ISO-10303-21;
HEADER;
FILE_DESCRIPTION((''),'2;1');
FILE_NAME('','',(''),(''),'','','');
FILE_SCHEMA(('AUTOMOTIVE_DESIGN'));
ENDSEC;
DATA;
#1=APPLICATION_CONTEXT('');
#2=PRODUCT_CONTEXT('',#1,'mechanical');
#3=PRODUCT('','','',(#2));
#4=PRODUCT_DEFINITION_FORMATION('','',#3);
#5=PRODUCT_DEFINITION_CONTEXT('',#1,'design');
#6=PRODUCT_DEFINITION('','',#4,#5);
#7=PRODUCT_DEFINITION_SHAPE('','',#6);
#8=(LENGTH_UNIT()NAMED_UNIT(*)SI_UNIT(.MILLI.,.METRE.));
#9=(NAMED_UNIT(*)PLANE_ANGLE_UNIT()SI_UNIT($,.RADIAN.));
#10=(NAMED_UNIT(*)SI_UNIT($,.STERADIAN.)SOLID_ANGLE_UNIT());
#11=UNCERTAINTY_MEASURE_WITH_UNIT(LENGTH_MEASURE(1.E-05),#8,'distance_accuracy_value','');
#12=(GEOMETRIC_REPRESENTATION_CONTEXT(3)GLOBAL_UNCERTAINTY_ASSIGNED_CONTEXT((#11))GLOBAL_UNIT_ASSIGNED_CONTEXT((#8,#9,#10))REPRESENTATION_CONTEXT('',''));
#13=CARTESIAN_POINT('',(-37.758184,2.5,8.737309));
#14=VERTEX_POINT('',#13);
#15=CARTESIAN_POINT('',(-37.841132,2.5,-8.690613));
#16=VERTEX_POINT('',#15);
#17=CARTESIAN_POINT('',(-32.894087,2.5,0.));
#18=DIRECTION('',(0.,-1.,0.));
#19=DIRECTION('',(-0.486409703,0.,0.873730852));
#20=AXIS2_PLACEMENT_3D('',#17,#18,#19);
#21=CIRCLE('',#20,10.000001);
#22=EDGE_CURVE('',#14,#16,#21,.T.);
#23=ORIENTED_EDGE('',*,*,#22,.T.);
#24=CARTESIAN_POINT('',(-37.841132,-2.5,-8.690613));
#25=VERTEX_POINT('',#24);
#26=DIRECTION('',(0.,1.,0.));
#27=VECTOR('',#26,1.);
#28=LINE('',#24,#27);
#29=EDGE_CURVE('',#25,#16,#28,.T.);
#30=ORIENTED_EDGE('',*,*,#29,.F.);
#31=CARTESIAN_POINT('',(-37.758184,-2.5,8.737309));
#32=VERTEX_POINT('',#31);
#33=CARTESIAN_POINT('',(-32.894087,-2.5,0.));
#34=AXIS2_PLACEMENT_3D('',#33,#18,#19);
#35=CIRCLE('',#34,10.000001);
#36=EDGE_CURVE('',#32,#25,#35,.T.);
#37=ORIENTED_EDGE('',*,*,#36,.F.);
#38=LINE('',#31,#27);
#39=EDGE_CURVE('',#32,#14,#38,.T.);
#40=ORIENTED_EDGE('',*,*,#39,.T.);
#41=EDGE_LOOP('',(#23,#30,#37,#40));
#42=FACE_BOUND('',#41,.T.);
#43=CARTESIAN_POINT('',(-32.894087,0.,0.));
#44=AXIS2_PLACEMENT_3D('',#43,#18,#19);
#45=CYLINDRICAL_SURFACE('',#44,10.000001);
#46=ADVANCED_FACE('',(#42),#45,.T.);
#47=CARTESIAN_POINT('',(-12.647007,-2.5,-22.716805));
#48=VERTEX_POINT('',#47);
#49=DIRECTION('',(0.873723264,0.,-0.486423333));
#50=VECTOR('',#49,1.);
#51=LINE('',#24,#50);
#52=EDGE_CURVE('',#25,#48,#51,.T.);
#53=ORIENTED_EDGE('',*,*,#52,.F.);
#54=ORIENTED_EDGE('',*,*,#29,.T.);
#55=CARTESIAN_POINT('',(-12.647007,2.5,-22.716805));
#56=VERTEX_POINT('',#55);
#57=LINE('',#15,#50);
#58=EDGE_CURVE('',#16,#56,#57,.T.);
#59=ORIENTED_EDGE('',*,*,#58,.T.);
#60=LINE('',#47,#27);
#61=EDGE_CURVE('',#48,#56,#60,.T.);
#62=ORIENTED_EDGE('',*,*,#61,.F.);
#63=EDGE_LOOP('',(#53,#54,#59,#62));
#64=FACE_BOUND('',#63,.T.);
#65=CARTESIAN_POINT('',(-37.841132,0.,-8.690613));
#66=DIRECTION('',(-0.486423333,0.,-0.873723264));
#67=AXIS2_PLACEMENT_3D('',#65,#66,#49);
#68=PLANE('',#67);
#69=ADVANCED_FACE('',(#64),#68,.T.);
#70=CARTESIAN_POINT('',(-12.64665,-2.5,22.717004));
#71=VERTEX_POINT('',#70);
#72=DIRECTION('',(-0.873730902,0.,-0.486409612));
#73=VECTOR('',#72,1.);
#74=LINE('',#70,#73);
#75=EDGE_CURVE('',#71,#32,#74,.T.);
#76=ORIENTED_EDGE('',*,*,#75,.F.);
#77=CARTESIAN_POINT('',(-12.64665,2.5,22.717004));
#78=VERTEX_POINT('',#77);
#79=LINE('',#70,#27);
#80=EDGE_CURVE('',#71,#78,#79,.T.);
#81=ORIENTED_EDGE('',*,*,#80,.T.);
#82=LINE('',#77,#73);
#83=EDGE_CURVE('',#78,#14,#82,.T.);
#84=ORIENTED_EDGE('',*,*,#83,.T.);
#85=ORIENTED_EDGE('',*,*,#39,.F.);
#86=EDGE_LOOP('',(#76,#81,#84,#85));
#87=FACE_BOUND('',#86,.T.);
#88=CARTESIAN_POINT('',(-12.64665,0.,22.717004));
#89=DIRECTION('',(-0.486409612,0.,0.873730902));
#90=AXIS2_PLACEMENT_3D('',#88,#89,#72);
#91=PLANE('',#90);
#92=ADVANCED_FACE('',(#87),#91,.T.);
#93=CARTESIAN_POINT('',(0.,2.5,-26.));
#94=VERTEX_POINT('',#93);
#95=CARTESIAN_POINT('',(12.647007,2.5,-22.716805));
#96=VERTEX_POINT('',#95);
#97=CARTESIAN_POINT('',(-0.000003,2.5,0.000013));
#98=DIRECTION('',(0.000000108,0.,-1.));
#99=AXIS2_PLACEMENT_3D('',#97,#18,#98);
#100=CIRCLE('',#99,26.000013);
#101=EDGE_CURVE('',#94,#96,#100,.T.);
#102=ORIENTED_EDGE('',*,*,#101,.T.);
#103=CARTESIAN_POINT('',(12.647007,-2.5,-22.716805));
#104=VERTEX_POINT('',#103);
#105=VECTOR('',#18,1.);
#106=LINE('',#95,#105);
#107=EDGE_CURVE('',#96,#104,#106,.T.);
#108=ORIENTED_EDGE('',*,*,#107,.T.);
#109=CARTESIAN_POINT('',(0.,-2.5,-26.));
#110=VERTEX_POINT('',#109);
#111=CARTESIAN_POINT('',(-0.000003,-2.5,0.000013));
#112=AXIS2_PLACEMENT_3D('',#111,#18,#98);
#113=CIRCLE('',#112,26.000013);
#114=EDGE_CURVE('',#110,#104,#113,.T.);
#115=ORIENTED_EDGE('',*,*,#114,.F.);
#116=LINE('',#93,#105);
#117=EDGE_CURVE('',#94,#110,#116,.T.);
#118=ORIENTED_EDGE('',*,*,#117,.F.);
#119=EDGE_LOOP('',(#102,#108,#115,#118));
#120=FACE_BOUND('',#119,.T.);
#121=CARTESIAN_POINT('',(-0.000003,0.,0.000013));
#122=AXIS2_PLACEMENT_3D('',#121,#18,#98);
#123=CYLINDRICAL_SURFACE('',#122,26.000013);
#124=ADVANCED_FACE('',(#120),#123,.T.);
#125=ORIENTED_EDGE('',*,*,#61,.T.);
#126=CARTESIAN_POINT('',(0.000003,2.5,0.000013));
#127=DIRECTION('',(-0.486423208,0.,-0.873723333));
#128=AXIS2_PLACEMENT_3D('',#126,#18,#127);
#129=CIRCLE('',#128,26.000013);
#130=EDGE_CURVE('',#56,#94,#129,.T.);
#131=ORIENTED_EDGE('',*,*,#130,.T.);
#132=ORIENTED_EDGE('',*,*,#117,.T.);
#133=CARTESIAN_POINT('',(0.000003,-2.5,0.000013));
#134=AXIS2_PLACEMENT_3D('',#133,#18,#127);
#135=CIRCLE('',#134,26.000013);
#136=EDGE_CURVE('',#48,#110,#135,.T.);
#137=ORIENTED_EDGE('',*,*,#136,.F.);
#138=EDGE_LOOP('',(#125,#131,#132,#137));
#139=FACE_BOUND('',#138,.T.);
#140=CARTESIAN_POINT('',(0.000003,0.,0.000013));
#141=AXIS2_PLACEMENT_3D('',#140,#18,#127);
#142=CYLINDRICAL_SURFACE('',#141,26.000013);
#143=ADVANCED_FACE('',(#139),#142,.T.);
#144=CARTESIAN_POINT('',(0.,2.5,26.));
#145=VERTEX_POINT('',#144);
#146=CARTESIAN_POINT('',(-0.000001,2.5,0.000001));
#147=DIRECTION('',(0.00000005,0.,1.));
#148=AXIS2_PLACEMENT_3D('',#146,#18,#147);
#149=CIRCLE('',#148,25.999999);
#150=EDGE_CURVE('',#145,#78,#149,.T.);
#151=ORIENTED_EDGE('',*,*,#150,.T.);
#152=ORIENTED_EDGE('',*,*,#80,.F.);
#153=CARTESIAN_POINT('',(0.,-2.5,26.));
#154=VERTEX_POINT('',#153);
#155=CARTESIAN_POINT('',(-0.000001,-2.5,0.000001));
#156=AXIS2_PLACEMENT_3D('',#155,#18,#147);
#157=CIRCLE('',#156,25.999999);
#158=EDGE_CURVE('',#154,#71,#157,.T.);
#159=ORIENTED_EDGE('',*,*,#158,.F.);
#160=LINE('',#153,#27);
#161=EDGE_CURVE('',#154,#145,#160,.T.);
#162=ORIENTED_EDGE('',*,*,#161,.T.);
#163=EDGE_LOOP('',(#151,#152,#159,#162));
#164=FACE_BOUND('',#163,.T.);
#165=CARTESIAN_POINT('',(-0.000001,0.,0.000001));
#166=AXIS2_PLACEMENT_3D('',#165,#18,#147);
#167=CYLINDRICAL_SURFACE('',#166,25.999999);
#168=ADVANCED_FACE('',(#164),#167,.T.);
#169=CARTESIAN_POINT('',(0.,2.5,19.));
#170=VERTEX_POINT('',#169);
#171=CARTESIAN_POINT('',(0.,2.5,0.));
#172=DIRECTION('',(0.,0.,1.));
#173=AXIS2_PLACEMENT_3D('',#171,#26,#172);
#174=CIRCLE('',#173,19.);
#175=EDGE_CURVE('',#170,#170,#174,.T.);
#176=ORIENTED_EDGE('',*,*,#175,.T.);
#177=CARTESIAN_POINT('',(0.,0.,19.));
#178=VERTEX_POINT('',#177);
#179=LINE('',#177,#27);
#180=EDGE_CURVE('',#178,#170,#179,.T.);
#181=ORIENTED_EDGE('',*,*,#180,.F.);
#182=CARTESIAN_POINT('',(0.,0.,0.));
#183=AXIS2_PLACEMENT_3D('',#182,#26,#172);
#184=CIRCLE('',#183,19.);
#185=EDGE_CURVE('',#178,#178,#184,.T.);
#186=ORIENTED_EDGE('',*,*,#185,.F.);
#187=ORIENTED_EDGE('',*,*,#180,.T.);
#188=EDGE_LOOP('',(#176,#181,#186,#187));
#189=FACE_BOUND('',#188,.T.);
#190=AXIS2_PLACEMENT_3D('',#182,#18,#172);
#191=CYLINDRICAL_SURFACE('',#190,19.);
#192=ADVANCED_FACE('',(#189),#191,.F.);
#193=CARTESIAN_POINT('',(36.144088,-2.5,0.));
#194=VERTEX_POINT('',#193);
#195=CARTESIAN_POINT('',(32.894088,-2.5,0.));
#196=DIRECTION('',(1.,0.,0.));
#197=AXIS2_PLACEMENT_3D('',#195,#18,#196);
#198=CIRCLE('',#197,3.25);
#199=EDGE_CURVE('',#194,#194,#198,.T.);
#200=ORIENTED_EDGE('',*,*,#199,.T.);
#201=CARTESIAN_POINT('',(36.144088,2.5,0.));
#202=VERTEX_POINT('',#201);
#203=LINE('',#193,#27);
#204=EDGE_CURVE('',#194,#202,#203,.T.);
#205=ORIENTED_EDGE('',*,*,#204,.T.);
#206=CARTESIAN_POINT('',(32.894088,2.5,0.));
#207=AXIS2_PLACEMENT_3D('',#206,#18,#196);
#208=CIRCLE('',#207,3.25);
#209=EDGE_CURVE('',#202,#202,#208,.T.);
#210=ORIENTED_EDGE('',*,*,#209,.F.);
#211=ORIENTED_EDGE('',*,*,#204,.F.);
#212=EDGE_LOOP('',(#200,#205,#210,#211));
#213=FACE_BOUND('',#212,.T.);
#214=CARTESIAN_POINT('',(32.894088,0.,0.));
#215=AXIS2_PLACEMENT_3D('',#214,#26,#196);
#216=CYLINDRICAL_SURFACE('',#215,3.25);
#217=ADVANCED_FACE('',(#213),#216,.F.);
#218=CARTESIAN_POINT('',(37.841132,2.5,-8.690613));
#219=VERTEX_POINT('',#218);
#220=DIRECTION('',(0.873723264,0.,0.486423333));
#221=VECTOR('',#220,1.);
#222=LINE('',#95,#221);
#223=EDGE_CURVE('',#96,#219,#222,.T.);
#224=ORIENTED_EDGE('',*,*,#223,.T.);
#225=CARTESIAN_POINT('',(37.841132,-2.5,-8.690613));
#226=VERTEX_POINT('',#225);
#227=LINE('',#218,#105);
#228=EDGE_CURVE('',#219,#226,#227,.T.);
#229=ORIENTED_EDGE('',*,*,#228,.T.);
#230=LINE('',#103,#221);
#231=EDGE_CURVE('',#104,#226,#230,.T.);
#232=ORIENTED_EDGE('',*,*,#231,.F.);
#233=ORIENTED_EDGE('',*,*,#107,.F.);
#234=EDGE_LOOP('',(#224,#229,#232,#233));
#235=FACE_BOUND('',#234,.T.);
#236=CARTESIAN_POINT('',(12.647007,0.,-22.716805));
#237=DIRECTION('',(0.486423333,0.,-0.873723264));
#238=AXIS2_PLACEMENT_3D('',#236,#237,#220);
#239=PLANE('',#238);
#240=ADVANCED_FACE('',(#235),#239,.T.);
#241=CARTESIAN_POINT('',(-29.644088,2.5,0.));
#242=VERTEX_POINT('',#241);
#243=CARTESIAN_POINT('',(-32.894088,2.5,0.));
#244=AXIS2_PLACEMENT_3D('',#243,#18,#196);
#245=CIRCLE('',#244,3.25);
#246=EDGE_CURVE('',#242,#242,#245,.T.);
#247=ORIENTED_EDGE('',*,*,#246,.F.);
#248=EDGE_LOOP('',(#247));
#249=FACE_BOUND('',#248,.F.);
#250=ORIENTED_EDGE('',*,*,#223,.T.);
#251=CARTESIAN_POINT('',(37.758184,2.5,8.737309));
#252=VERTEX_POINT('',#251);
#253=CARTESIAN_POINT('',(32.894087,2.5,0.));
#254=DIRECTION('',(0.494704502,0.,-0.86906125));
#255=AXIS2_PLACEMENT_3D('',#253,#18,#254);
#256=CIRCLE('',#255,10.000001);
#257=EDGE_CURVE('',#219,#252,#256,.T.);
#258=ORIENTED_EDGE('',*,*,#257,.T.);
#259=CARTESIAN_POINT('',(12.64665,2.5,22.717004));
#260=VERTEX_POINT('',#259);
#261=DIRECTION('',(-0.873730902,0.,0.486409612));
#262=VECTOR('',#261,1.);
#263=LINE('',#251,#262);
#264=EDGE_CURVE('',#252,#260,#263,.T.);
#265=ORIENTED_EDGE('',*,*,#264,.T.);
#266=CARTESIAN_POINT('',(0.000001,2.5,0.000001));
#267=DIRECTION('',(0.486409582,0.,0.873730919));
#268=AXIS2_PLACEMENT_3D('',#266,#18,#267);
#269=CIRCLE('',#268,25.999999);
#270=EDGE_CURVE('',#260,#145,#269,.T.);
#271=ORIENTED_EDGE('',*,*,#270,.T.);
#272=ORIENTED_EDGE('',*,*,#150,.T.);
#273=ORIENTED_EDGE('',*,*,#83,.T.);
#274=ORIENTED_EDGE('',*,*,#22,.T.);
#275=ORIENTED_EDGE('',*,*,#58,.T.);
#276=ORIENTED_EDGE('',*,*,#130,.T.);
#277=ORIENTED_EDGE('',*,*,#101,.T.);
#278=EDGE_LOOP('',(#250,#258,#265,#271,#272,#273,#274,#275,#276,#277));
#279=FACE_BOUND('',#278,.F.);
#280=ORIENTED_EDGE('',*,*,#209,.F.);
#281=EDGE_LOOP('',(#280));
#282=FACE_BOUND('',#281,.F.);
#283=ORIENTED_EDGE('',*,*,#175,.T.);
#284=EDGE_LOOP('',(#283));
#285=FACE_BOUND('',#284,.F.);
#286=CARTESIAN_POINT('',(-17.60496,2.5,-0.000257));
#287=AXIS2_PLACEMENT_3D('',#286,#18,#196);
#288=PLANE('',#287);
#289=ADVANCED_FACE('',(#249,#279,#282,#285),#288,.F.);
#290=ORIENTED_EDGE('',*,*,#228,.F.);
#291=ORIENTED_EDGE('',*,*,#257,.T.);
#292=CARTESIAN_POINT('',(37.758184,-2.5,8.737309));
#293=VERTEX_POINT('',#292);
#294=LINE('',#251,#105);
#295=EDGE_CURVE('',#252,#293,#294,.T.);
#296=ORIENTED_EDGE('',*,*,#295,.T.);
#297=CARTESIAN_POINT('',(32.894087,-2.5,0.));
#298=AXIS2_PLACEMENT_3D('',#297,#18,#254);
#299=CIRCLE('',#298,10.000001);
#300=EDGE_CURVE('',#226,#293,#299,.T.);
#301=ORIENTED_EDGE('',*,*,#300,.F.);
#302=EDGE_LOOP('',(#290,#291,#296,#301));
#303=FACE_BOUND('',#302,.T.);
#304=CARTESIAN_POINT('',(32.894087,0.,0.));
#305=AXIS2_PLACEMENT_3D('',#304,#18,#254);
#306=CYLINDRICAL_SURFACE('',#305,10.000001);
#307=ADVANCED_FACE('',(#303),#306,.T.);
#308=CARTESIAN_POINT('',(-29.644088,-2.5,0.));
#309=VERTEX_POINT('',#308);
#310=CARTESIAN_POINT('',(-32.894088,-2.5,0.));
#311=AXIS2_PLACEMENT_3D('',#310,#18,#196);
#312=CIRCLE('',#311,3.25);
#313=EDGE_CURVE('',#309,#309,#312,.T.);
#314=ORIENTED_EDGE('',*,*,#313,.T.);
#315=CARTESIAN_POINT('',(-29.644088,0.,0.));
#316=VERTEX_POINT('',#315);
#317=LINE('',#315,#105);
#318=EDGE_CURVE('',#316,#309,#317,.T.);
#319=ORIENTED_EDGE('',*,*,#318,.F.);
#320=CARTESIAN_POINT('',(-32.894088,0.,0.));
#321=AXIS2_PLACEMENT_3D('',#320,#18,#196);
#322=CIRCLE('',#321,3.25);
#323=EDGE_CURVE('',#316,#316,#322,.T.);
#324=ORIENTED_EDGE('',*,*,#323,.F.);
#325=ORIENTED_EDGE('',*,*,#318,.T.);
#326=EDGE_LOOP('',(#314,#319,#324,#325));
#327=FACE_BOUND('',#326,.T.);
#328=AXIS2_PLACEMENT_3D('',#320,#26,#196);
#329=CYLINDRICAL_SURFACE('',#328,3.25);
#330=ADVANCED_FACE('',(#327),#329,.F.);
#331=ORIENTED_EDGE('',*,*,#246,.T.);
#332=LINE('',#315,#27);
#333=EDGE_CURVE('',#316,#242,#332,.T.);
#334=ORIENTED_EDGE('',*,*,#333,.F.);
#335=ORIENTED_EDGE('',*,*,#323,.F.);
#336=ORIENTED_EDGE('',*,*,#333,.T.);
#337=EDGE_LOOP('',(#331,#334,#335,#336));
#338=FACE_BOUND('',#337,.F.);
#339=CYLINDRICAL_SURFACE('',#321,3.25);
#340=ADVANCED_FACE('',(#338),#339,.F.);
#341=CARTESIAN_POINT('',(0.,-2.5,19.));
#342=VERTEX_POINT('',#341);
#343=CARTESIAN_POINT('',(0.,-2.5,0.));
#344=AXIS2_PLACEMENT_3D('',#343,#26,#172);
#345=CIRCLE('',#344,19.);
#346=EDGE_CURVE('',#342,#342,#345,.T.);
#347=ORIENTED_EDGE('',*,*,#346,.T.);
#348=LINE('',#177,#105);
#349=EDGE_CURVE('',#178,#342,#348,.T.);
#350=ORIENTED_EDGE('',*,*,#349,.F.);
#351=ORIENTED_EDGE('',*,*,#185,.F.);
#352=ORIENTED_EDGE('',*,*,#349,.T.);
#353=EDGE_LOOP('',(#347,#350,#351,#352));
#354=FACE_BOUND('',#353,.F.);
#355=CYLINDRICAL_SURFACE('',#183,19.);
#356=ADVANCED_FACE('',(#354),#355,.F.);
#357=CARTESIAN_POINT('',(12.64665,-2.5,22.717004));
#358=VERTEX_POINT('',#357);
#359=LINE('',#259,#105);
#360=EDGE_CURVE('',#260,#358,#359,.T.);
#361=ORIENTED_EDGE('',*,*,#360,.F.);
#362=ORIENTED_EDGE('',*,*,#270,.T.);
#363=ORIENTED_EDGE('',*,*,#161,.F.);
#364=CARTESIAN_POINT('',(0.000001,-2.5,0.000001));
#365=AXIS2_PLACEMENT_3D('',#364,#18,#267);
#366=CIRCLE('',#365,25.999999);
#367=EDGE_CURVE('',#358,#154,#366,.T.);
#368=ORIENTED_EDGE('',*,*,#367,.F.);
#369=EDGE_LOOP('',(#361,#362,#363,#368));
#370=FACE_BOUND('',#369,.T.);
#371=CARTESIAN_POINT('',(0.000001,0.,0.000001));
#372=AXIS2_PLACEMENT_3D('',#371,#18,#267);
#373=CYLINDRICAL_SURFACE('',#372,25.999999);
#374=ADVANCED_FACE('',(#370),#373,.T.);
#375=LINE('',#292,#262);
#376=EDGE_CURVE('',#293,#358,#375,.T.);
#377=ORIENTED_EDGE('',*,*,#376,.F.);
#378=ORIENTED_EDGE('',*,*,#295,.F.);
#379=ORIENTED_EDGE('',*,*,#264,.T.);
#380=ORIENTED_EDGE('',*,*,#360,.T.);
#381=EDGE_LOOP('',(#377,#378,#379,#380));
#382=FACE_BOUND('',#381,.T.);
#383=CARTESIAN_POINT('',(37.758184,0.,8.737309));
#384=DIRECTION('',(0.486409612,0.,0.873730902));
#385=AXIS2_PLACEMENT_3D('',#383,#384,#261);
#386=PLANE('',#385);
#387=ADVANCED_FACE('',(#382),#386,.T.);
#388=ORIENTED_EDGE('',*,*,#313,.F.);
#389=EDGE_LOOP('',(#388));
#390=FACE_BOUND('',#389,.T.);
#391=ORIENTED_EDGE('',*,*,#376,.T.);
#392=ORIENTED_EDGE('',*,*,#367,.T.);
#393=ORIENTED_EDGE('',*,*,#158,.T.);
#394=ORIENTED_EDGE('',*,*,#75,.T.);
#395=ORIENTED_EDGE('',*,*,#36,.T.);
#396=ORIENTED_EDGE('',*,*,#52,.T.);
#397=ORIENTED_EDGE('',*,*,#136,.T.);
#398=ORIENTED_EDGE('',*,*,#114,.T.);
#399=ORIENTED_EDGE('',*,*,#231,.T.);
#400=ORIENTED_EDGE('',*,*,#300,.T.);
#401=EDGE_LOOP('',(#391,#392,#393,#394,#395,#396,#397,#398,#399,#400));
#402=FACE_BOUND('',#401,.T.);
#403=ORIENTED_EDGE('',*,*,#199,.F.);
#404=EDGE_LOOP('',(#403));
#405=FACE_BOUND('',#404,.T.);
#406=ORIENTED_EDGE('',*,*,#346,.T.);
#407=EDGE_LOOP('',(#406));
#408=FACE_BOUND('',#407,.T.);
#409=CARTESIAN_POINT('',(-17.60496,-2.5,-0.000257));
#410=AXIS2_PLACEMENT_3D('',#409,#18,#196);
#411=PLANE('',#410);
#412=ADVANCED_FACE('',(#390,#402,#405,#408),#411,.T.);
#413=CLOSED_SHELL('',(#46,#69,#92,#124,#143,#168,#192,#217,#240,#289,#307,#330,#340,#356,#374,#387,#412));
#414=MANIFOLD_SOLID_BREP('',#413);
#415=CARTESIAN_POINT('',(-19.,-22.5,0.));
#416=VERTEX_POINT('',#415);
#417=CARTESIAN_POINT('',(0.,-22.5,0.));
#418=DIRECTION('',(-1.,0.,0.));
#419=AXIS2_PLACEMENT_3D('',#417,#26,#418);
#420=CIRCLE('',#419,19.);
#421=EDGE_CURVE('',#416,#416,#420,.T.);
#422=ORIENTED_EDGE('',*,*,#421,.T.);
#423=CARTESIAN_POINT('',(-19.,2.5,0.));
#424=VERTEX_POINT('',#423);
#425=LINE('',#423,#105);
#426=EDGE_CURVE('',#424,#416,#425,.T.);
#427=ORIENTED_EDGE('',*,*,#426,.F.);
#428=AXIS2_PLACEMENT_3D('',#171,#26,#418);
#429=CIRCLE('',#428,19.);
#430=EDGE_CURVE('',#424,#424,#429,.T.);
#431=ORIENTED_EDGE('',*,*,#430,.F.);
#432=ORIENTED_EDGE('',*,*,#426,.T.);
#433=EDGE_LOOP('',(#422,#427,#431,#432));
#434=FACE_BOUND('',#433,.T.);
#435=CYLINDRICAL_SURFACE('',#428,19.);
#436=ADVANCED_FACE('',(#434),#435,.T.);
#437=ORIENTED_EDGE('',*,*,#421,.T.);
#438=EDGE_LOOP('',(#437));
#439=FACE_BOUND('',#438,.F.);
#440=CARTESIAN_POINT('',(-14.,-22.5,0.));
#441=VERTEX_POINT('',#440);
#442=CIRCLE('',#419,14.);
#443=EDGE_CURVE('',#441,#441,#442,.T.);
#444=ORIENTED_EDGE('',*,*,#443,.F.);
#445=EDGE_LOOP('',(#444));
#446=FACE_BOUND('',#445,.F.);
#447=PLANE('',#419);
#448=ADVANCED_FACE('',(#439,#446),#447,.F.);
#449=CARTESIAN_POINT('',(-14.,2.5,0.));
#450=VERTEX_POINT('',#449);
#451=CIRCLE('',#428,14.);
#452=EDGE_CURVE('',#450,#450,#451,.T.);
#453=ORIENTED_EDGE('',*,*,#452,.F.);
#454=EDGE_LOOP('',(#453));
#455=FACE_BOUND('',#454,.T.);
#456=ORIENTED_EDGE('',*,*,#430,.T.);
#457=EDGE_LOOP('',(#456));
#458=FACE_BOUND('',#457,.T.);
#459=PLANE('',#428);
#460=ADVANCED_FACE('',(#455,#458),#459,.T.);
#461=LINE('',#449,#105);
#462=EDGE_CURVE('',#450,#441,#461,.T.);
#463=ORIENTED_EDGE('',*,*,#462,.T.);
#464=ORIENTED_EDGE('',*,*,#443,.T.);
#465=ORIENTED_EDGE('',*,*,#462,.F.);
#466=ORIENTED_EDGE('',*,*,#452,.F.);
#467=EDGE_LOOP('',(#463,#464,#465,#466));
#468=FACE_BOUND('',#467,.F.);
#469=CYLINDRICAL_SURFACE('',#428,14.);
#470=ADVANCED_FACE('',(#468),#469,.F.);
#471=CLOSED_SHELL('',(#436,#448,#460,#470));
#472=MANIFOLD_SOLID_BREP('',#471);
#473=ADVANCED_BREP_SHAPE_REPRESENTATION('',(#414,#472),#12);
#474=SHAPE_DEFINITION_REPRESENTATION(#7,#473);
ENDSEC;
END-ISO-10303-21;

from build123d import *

# Parameters (mm, degrees)
F0_R     = 3.25
F1_DEPTH = 2.5
F2_R     = 19
F2_R_2   = 14
F3_DEPTH = 25


with BuildPart() as f1:
    # F0 (on Front) → F1 (new body, symmetric)
    with BuildSketch(Plane.XZ):
        with BuildLine():
            ThreePointArc((0, -19), (-19, 0), (0, 19))
            Line((0, 19), (0, 26))
            ThreePointArc((0, 26), (-6.532913, 25.165871), (-12.64665, 22.717004))
            Line((-12.64665, 22.717004), (-37.758184, 8.737309))
            ThreePointArc((-37.758184, 8.737309), (-42.893974, 0.047595), (-37.841132, -8.690613))
            Line((-37.841132, -8.690613), (-12.647007, -22.716805))
            ThreePointArc((-12.647007, -22.716805), (-6.533111, -25.165819), (0, -26))
            Line((0, -26), (0, -19))
        make_face()
        with Locations((-32.894088, 0)):
            Circle(F0_R, mode=Mode.SUBTRACT)
        with BuildLine():
            Line((0, 26), (0, 19))
            ThreePointArc((0, 19), (19, 0), (0, -19))
            Line((0, -19), (0, -26))
            ThreePointArc((0, -26), (6.533111, -25.165819), (12.647007, -22.716805))
            Line((12.647007, -22.716805), (37.841132, -8.690613))
            ThreePointArc((37.841132, -8.690613), (42.893974, 0.047595), (37.758184, 8.737309))
            Line((37.758184, 8.737309), (12.64665, 22.717004))
            ThreePointArc((12.64665, 22.717004), (6.532913, 25.165871), (0, 26))
        make_face()
        with Locations((32.894088, 0)):
            Circle(F0_R, mode=Mode.SUBTRACT)
    extrude(amount=F1_DEPTH, both=True)


with BuildPart() as f3:
    # F2 (on face) → F3 (new body)
    with BuildSketch(Plane(origin=(0, 2.5, 0), x_dir=(-1, 0, 0), z_dir=(0, 1, 0))):
        Circle(F2_R)
        Circle(F2_R_2, mode=Mode.SUBTRACT)
    extrude(amount=-F3_DEPTH)


solid = Compound([f1.part, f3.part])
